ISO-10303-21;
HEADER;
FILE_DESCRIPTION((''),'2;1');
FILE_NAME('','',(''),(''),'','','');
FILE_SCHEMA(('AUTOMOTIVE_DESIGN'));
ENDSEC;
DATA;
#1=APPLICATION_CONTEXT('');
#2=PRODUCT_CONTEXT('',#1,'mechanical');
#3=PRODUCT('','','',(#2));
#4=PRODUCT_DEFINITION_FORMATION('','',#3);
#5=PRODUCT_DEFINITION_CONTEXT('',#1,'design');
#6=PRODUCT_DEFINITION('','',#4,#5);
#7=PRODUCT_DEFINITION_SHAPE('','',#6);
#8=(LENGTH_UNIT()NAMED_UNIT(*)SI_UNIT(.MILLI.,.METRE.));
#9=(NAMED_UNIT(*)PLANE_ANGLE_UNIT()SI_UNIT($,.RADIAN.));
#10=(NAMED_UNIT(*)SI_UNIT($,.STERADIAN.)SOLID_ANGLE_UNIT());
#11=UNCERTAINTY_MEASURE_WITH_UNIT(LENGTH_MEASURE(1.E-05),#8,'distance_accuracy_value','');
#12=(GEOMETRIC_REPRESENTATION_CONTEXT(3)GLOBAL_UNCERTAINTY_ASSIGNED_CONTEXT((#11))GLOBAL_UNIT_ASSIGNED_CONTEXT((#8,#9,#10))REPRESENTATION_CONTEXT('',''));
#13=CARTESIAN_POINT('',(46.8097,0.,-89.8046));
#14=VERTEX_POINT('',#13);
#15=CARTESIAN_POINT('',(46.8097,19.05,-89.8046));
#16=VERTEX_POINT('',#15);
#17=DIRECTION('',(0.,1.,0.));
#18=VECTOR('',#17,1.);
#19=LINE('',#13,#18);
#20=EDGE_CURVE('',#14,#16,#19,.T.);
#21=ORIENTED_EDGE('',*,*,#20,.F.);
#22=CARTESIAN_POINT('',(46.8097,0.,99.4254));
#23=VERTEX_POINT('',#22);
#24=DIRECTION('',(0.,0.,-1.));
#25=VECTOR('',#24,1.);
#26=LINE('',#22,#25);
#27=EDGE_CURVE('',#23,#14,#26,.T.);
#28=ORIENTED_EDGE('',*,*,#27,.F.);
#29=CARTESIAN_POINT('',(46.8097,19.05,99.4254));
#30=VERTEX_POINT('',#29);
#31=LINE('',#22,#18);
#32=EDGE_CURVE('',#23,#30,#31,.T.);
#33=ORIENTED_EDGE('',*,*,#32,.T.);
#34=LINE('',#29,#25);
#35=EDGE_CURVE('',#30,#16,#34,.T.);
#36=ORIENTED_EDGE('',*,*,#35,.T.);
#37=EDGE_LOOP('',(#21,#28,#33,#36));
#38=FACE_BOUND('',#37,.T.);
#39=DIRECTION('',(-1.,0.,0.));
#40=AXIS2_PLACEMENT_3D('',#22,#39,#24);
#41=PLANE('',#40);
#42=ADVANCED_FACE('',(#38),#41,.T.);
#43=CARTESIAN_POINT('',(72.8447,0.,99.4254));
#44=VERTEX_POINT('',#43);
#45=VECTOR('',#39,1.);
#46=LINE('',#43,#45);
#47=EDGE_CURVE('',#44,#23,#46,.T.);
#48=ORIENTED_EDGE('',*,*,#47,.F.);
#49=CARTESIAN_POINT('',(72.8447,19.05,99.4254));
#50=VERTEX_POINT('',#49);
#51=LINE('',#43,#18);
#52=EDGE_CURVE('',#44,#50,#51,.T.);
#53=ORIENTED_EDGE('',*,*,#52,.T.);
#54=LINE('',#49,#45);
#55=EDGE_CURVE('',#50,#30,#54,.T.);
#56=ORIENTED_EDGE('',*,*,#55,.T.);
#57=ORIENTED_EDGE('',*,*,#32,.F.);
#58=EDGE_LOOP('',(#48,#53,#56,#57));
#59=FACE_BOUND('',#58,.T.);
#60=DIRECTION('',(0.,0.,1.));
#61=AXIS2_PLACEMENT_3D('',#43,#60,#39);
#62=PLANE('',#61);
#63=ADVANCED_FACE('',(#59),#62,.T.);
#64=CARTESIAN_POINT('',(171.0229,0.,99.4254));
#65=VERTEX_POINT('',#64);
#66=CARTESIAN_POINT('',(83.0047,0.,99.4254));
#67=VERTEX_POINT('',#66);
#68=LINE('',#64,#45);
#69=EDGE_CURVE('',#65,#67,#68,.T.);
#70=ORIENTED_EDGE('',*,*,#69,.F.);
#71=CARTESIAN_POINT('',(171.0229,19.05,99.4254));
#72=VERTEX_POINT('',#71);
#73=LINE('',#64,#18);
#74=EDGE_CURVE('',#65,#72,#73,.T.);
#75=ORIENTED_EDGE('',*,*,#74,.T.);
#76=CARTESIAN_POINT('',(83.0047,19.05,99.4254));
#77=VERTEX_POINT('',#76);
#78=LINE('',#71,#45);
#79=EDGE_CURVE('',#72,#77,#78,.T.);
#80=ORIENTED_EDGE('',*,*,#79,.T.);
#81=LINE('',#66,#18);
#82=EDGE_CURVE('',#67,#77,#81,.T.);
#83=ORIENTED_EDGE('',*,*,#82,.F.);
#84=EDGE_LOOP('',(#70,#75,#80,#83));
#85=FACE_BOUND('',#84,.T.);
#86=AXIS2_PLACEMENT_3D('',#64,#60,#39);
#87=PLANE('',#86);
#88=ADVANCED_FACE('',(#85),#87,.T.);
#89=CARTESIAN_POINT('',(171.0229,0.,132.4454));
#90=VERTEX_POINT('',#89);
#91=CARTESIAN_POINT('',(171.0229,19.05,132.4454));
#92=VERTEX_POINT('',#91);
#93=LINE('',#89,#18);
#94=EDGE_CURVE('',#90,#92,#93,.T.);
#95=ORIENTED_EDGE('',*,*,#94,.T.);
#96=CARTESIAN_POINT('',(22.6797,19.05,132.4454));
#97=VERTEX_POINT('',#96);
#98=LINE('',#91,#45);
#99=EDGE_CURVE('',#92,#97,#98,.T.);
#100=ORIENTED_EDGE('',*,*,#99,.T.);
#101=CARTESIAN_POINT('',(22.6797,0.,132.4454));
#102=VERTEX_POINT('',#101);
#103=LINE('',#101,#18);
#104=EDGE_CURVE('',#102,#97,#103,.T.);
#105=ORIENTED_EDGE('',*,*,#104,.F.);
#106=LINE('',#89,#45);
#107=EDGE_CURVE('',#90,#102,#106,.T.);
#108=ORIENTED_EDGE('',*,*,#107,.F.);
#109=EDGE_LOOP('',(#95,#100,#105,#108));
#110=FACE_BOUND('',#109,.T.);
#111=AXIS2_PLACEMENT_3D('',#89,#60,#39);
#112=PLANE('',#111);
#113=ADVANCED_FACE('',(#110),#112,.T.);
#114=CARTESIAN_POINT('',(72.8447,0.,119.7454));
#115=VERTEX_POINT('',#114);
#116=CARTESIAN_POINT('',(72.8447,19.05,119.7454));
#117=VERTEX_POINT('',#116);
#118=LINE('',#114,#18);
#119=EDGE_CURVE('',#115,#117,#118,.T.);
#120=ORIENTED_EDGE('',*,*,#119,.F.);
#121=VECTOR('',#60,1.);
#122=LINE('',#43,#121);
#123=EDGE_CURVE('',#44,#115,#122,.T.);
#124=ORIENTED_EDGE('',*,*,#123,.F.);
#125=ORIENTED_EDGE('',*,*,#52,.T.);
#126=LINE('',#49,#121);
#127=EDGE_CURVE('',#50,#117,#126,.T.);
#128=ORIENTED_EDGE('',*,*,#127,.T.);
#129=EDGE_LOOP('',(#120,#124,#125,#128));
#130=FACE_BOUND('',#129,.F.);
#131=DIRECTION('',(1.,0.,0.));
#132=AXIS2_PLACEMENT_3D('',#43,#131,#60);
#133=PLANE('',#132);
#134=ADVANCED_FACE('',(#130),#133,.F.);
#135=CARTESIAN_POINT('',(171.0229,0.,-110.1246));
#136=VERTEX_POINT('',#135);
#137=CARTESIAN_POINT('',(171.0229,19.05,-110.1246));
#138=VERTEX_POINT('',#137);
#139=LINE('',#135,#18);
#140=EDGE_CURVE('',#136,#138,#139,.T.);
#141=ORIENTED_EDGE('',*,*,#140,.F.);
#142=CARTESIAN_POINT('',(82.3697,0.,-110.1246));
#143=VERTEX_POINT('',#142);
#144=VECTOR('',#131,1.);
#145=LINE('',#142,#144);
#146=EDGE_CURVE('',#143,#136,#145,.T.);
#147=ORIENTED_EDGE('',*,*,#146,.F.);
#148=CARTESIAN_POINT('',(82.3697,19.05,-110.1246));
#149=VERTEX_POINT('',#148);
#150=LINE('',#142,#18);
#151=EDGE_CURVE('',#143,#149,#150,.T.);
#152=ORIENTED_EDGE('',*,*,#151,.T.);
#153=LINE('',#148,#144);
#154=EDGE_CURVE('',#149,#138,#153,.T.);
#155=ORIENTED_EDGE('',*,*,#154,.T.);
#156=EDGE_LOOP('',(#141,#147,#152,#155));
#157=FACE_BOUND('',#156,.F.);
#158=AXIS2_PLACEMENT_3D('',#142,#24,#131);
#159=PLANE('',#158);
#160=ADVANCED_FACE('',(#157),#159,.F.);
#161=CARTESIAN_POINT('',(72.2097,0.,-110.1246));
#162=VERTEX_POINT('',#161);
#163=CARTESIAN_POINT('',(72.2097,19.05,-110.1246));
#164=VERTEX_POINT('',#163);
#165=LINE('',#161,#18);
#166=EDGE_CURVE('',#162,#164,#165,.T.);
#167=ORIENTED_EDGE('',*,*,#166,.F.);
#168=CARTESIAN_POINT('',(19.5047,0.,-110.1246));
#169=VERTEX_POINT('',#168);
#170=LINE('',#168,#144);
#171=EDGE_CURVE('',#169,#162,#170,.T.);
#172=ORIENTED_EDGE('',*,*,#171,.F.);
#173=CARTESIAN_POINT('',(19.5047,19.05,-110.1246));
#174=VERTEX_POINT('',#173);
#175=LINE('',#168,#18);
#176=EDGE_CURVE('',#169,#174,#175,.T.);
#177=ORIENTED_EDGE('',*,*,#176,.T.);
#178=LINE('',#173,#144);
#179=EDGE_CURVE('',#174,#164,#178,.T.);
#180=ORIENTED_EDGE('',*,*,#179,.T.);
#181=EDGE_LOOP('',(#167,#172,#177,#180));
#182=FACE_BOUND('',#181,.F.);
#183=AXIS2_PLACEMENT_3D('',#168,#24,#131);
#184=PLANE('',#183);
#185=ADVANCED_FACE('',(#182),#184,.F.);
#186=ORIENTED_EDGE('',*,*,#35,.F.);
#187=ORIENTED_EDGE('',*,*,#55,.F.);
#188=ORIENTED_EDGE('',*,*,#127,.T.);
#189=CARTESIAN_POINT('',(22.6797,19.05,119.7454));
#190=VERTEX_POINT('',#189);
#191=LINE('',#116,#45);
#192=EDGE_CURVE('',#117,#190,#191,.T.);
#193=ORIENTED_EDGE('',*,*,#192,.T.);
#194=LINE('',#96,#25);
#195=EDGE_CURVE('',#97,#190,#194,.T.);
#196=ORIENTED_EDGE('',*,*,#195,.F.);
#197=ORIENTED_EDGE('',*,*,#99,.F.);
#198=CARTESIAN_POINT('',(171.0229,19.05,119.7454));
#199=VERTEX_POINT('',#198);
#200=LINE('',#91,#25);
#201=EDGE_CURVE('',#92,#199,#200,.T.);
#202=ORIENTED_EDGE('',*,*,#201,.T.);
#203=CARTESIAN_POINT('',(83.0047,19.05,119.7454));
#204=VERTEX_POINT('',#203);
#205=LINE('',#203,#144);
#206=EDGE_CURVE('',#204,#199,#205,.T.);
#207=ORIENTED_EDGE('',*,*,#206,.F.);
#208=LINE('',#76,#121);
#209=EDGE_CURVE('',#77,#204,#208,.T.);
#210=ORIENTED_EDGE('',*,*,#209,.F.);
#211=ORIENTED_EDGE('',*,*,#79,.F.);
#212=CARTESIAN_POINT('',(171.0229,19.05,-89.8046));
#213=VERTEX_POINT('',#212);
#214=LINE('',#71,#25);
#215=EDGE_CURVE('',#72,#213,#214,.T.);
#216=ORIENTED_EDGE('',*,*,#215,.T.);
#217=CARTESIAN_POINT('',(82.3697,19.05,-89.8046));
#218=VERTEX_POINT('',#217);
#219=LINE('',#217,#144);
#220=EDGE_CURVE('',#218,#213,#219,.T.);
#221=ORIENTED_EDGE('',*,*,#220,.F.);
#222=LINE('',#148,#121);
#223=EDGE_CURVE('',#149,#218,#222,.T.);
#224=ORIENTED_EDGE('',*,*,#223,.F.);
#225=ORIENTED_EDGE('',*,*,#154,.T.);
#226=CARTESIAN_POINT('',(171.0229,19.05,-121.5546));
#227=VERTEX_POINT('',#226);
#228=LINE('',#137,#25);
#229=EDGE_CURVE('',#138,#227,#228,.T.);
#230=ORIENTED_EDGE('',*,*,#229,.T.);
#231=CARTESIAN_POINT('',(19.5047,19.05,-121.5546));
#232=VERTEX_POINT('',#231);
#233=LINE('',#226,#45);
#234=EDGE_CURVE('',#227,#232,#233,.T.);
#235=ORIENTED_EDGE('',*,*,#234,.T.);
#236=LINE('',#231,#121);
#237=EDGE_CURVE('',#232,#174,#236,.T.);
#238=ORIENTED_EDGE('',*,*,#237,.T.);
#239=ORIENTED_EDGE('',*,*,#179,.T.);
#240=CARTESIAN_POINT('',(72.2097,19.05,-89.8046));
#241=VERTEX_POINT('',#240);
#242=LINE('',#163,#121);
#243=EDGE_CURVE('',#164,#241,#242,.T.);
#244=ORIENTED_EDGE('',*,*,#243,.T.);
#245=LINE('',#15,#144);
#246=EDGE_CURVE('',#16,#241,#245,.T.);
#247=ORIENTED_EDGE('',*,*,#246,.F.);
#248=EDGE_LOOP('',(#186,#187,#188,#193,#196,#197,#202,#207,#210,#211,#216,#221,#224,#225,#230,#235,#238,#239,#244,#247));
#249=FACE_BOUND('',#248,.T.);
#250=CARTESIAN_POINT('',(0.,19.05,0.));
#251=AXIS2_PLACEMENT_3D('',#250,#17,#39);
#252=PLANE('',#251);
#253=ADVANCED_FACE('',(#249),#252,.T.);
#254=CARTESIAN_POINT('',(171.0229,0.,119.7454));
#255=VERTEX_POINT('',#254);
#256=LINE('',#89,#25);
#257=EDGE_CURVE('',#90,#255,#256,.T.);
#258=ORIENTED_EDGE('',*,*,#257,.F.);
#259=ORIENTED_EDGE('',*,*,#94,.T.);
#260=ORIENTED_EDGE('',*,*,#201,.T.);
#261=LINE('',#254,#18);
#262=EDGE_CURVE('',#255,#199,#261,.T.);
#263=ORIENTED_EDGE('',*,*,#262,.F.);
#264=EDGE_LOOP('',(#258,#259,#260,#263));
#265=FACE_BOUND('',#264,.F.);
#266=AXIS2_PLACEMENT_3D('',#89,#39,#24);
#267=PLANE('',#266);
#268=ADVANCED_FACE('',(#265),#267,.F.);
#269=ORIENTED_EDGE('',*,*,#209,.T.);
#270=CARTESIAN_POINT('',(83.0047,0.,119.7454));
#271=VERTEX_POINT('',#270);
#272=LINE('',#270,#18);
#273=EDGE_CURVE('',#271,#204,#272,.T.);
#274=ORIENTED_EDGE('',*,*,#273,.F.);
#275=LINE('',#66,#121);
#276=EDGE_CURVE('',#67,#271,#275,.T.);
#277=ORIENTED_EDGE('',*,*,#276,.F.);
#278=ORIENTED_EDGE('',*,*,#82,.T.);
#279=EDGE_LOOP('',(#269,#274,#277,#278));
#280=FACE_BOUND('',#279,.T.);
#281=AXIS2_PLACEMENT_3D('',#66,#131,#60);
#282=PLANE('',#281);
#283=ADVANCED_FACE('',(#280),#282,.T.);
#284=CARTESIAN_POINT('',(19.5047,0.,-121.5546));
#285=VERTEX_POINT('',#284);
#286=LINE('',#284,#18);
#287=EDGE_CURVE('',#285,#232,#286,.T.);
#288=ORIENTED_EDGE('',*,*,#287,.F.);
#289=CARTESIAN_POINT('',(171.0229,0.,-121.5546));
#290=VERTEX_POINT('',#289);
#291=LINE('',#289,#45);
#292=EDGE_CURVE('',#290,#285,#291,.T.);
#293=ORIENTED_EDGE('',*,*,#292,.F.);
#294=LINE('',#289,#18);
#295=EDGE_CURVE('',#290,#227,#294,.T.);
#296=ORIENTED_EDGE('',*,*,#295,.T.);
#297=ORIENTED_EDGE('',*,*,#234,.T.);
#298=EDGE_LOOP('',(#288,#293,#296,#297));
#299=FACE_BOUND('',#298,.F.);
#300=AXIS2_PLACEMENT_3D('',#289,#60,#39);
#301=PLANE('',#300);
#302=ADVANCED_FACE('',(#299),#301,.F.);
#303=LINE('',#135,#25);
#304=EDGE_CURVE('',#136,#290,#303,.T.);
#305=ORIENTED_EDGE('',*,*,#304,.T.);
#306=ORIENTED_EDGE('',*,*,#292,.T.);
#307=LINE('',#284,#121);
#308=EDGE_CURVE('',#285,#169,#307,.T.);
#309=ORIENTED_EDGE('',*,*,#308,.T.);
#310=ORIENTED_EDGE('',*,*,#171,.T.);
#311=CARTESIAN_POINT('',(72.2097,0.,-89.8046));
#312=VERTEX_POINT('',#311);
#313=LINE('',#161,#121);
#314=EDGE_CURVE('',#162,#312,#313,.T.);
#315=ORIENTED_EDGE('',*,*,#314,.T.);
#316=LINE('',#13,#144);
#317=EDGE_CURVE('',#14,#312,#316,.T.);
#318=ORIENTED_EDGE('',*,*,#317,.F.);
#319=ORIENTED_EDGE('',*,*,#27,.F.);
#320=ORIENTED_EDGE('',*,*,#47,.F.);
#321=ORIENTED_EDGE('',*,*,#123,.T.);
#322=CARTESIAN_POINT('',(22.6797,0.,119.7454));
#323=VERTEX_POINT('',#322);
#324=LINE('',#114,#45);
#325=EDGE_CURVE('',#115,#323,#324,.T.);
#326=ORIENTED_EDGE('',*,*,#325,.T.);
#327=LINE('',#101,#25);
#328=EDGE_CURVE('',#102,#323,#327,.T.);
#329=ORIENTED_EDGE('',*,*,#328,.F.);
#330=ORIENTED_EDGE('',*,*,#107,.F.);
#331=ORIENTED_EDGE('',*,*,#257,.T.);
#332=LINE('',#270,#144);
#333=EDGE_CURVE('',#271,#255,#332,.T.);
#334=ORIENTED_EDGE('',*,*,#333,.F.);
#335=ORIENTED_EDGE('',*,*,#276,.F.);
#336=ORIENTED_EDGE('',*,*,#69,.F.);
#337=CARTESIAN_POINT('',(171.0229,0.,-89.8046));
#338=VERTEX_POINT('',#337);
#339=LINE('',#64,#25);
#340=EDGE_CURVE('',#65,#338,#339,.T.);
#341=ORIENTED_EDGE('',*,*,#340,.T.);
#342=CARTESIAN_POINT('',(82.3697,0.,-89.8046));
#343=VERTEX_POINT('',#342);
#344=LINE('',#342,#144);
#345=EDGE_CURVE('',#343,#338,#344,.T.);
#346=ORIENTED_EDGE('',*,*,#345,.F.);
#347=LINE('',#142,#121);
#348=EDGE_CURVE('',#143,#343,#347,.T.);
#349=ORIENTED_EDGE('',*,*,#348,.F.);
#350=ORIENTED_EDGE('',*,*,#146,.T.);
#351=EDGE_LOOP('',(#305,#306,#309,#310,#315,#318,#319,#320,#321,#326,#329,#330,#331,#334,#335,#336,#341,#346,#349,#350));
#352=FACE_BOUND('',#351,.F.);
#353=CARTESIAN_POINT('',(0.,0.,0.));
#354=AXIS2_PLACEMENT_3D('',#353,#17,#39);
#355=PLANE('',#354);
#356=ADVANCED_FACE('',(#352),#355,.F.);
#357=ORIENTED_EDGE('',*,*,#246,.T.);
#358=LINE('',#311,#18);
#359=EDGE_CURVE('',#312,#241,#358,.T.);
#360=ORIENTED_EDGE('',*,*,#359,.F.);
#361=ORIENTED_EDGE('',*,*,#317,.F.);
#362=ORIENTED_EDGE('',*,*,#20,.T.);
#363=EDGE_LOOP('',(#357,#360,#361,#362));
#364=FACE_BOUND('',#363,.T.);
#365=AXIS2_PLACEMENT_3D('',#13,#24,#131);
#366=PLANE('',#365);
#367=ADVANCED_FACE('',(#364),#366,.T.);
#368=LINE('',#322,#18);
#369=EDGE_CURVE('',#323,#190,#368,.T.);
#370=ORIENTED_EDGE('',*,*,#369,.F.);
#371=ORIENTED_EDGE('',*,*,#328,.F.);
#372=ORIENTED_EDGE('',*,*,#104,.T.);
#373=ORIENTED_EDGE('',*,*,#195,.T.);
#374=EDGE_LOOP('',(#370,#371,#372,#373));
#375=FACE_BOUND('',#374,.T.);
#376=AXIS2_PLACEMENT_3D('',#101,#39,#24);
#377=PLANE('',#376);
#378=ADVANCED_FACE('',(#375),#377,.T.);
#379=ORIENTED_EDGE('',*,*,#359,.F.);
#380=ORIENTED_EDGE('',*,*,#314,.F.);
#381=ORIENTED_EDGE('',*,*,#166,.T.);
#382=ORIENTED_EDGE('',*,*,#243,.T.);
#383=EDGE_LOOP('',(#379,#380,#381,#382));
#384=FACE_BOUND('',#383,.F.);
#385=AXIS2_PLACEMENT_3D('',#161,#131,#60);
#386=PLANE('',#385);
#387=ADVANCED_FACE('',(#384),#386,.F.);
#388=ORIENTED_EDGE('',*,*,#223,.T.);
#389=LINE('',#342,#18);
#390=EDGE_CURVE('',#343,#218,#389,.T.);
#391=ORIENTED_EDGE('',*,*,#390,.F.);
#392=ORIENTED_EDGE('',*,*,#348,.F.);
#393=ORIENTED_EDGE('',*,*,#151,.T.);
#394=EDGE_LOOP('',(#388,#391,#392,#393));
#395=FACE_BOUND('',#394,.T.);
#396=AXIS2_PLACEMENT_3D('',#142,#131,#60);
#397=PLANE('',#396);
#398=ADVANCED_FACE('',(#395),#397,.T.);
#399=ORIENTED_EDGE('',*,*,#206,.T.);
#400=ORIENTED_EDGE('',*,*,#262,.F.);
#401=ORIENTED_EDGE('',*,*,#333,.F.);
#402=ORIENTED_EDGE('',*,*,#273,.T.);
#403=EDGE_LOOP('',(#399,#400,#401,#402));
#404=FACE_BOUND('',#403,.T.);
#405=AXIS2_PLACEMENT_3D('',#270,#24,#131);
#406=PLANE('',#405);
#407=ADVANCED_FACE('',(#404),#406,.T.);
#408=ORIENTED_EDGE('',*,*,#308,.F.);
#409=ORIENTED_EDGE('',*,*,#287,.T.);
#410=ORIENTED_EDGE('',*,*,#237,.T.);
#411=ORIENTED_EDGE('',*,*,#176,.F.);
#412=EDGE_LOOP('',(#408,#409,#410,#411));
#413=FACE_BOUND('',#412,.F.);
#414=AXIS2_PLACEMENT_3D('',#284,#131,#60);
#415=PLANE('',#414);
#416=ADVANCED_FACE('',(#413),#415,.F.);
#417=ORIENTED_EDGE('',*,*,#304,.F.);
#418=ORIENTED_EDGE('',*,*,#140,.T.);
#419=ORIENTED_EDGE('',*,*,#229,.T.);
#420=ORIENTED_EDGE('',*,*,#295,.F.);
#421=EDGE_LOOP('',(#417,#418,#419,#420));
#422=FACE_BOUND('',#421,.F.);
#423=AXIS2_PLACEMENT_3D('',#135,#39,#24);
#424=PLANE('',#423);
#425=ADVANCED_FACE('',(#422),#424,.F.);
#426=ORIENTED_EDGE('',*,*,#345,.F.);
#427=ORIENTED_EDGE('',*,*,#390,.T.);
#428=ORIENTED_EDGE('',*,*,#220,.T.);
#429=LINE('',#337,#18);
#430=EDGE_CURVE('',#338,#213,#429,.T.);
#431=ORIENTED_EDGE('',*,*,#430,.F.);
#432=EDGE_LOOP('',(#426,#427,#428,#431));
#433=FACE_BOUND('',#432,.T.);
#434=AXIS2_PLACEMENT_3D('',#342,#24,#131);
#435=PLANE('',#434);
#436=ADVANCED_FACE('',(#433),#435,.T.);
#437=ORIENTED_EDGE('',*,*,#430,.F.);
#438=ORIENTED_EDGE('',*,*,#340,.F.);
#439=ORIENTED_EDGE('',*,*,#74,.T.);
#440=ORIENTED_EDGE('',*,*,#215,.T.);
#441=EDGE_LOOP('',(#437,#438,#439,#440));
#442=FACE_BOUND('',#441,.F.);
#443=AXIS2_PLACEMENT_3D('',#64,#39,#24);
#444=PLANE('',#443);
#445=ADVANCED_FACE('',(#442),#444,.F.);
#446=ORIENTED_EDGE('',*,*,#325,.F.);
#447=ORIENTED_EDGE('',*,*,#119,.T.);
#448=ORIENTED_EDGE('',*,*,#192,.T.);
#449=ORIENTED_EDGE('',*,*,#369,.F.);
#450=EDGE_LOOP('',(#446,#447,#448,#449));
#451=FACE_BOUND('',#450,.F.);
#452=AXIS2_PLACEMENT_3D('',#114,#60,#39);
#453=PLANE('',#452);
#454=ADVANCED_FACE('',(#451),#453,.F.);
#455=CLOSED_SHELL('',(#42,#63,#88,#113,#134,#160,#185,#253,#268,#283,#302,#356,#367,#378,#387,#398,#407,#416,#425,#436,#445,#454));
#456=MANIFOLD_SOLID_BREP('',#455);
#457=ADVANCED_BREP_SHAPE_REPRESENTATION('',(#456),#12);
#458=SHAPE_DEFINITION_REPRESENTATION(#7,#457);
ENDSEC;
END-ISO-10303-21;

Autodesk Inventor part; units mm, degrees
ref_plane "YZ Plane" through (0, 0, 0) normal (1, 0, 0) x (0, 1, 0)
ref_plane "XZ Plane" through (0, 0, 0) normal (0, 1, 0) x (-1, 0, 0)
ref_plane "XY Plane" through (0, 0, 0) normal (0, 0, 1) x (1, 0, 0)
sketch "Sketch1" plane through (0, 0, 0) normal (0, 1, 0) x (-1, 0, 0)
  line L0 (-19.5047, -110.1246) -> (-72.2097, -110.1246)
  line L1 (-72.2097, -110.1246) -> (-72.2097, -89.8046)
  line L2 (-46.8097, -89.8046) -> (-72.2097, -89.8046)
  line L3 (-82.3697, -110.1246) -> (-171.0229, -110.1246)
  line L4 (-82.3697, -89.8046) -> (-171.0229, -89.8046)
  line L5 (-82.3697, -110.1246) -> (-82.3697, -89.8046)
  line L6 (-171.0229, -121.5546) -> (-19.5047, -121.5546)
  line L7 (-19.5047, -121.5546) -> (-19.5047, -110.1246)
  line L8 (-46.8097, 99.4254) -> (-46.8097, -89.8046)
  line L9 (-72.8447, 99.4254) -> (-72.8447, 119.7454)
  line L10 (-72.8447, 119.7454) -> (-22.6797, 119.7454)
  line L11 (-83.0047, 99.4254) -> (-83.0047, 119.7454)
  line L12 (-83.0047, 119.7454) -> (-171.0229, 119.7454)
  line L13 (-171.0229, 132.4454) -> (-22.6797, 132.4454)
  line L14 (-22.6797, 132.4454) -> (-22.6797, 119.7454)
  line L15 (-171.0229, 99.4254) -> (-83.0047, 99.4254)
  line L16 (-72.8447, 99.4254) -> (-46.8097, 99.4254)
  line L17 (-22.6797, 119.7454) -> (-72.8447, 119.7454)
  line L18 (-83.0047, 119.7454) -> (-171.0229, 119.7454)
  line L19 (-171.0229, 132.4454) -> (-171.0229, 119.7454)
  line L20 (-171.0229, 99.4254) -> (-171.0229, -89.8046)
  line L21 (-171.0229, -110.1246) -> (-171.0229, -121.5546)
  point P0 (0, 0)
  dimension "d3" = 20.32
  dimension "d4" = 20.32
  dimension "d6" = 254
  dimension "d7" = 0
  dimension "d10" = 20.32
  dimension "d11" = 20.32
  dimension "d12" = 0
  dimension "d13" = 10.16
  dimension "d14" = 26.035
  dimension "d16" = 25.4
  dimension "d17" = 10.16
extrude "Extrusion1" add sketch "Sketch1" along normal blind 19.05
equation "\"d4\" = d3"
equation "\"d10\" = d4"
equation "\"d11\" = d3"
equation "\"d17\" = d13"
properties part number "bottom"
